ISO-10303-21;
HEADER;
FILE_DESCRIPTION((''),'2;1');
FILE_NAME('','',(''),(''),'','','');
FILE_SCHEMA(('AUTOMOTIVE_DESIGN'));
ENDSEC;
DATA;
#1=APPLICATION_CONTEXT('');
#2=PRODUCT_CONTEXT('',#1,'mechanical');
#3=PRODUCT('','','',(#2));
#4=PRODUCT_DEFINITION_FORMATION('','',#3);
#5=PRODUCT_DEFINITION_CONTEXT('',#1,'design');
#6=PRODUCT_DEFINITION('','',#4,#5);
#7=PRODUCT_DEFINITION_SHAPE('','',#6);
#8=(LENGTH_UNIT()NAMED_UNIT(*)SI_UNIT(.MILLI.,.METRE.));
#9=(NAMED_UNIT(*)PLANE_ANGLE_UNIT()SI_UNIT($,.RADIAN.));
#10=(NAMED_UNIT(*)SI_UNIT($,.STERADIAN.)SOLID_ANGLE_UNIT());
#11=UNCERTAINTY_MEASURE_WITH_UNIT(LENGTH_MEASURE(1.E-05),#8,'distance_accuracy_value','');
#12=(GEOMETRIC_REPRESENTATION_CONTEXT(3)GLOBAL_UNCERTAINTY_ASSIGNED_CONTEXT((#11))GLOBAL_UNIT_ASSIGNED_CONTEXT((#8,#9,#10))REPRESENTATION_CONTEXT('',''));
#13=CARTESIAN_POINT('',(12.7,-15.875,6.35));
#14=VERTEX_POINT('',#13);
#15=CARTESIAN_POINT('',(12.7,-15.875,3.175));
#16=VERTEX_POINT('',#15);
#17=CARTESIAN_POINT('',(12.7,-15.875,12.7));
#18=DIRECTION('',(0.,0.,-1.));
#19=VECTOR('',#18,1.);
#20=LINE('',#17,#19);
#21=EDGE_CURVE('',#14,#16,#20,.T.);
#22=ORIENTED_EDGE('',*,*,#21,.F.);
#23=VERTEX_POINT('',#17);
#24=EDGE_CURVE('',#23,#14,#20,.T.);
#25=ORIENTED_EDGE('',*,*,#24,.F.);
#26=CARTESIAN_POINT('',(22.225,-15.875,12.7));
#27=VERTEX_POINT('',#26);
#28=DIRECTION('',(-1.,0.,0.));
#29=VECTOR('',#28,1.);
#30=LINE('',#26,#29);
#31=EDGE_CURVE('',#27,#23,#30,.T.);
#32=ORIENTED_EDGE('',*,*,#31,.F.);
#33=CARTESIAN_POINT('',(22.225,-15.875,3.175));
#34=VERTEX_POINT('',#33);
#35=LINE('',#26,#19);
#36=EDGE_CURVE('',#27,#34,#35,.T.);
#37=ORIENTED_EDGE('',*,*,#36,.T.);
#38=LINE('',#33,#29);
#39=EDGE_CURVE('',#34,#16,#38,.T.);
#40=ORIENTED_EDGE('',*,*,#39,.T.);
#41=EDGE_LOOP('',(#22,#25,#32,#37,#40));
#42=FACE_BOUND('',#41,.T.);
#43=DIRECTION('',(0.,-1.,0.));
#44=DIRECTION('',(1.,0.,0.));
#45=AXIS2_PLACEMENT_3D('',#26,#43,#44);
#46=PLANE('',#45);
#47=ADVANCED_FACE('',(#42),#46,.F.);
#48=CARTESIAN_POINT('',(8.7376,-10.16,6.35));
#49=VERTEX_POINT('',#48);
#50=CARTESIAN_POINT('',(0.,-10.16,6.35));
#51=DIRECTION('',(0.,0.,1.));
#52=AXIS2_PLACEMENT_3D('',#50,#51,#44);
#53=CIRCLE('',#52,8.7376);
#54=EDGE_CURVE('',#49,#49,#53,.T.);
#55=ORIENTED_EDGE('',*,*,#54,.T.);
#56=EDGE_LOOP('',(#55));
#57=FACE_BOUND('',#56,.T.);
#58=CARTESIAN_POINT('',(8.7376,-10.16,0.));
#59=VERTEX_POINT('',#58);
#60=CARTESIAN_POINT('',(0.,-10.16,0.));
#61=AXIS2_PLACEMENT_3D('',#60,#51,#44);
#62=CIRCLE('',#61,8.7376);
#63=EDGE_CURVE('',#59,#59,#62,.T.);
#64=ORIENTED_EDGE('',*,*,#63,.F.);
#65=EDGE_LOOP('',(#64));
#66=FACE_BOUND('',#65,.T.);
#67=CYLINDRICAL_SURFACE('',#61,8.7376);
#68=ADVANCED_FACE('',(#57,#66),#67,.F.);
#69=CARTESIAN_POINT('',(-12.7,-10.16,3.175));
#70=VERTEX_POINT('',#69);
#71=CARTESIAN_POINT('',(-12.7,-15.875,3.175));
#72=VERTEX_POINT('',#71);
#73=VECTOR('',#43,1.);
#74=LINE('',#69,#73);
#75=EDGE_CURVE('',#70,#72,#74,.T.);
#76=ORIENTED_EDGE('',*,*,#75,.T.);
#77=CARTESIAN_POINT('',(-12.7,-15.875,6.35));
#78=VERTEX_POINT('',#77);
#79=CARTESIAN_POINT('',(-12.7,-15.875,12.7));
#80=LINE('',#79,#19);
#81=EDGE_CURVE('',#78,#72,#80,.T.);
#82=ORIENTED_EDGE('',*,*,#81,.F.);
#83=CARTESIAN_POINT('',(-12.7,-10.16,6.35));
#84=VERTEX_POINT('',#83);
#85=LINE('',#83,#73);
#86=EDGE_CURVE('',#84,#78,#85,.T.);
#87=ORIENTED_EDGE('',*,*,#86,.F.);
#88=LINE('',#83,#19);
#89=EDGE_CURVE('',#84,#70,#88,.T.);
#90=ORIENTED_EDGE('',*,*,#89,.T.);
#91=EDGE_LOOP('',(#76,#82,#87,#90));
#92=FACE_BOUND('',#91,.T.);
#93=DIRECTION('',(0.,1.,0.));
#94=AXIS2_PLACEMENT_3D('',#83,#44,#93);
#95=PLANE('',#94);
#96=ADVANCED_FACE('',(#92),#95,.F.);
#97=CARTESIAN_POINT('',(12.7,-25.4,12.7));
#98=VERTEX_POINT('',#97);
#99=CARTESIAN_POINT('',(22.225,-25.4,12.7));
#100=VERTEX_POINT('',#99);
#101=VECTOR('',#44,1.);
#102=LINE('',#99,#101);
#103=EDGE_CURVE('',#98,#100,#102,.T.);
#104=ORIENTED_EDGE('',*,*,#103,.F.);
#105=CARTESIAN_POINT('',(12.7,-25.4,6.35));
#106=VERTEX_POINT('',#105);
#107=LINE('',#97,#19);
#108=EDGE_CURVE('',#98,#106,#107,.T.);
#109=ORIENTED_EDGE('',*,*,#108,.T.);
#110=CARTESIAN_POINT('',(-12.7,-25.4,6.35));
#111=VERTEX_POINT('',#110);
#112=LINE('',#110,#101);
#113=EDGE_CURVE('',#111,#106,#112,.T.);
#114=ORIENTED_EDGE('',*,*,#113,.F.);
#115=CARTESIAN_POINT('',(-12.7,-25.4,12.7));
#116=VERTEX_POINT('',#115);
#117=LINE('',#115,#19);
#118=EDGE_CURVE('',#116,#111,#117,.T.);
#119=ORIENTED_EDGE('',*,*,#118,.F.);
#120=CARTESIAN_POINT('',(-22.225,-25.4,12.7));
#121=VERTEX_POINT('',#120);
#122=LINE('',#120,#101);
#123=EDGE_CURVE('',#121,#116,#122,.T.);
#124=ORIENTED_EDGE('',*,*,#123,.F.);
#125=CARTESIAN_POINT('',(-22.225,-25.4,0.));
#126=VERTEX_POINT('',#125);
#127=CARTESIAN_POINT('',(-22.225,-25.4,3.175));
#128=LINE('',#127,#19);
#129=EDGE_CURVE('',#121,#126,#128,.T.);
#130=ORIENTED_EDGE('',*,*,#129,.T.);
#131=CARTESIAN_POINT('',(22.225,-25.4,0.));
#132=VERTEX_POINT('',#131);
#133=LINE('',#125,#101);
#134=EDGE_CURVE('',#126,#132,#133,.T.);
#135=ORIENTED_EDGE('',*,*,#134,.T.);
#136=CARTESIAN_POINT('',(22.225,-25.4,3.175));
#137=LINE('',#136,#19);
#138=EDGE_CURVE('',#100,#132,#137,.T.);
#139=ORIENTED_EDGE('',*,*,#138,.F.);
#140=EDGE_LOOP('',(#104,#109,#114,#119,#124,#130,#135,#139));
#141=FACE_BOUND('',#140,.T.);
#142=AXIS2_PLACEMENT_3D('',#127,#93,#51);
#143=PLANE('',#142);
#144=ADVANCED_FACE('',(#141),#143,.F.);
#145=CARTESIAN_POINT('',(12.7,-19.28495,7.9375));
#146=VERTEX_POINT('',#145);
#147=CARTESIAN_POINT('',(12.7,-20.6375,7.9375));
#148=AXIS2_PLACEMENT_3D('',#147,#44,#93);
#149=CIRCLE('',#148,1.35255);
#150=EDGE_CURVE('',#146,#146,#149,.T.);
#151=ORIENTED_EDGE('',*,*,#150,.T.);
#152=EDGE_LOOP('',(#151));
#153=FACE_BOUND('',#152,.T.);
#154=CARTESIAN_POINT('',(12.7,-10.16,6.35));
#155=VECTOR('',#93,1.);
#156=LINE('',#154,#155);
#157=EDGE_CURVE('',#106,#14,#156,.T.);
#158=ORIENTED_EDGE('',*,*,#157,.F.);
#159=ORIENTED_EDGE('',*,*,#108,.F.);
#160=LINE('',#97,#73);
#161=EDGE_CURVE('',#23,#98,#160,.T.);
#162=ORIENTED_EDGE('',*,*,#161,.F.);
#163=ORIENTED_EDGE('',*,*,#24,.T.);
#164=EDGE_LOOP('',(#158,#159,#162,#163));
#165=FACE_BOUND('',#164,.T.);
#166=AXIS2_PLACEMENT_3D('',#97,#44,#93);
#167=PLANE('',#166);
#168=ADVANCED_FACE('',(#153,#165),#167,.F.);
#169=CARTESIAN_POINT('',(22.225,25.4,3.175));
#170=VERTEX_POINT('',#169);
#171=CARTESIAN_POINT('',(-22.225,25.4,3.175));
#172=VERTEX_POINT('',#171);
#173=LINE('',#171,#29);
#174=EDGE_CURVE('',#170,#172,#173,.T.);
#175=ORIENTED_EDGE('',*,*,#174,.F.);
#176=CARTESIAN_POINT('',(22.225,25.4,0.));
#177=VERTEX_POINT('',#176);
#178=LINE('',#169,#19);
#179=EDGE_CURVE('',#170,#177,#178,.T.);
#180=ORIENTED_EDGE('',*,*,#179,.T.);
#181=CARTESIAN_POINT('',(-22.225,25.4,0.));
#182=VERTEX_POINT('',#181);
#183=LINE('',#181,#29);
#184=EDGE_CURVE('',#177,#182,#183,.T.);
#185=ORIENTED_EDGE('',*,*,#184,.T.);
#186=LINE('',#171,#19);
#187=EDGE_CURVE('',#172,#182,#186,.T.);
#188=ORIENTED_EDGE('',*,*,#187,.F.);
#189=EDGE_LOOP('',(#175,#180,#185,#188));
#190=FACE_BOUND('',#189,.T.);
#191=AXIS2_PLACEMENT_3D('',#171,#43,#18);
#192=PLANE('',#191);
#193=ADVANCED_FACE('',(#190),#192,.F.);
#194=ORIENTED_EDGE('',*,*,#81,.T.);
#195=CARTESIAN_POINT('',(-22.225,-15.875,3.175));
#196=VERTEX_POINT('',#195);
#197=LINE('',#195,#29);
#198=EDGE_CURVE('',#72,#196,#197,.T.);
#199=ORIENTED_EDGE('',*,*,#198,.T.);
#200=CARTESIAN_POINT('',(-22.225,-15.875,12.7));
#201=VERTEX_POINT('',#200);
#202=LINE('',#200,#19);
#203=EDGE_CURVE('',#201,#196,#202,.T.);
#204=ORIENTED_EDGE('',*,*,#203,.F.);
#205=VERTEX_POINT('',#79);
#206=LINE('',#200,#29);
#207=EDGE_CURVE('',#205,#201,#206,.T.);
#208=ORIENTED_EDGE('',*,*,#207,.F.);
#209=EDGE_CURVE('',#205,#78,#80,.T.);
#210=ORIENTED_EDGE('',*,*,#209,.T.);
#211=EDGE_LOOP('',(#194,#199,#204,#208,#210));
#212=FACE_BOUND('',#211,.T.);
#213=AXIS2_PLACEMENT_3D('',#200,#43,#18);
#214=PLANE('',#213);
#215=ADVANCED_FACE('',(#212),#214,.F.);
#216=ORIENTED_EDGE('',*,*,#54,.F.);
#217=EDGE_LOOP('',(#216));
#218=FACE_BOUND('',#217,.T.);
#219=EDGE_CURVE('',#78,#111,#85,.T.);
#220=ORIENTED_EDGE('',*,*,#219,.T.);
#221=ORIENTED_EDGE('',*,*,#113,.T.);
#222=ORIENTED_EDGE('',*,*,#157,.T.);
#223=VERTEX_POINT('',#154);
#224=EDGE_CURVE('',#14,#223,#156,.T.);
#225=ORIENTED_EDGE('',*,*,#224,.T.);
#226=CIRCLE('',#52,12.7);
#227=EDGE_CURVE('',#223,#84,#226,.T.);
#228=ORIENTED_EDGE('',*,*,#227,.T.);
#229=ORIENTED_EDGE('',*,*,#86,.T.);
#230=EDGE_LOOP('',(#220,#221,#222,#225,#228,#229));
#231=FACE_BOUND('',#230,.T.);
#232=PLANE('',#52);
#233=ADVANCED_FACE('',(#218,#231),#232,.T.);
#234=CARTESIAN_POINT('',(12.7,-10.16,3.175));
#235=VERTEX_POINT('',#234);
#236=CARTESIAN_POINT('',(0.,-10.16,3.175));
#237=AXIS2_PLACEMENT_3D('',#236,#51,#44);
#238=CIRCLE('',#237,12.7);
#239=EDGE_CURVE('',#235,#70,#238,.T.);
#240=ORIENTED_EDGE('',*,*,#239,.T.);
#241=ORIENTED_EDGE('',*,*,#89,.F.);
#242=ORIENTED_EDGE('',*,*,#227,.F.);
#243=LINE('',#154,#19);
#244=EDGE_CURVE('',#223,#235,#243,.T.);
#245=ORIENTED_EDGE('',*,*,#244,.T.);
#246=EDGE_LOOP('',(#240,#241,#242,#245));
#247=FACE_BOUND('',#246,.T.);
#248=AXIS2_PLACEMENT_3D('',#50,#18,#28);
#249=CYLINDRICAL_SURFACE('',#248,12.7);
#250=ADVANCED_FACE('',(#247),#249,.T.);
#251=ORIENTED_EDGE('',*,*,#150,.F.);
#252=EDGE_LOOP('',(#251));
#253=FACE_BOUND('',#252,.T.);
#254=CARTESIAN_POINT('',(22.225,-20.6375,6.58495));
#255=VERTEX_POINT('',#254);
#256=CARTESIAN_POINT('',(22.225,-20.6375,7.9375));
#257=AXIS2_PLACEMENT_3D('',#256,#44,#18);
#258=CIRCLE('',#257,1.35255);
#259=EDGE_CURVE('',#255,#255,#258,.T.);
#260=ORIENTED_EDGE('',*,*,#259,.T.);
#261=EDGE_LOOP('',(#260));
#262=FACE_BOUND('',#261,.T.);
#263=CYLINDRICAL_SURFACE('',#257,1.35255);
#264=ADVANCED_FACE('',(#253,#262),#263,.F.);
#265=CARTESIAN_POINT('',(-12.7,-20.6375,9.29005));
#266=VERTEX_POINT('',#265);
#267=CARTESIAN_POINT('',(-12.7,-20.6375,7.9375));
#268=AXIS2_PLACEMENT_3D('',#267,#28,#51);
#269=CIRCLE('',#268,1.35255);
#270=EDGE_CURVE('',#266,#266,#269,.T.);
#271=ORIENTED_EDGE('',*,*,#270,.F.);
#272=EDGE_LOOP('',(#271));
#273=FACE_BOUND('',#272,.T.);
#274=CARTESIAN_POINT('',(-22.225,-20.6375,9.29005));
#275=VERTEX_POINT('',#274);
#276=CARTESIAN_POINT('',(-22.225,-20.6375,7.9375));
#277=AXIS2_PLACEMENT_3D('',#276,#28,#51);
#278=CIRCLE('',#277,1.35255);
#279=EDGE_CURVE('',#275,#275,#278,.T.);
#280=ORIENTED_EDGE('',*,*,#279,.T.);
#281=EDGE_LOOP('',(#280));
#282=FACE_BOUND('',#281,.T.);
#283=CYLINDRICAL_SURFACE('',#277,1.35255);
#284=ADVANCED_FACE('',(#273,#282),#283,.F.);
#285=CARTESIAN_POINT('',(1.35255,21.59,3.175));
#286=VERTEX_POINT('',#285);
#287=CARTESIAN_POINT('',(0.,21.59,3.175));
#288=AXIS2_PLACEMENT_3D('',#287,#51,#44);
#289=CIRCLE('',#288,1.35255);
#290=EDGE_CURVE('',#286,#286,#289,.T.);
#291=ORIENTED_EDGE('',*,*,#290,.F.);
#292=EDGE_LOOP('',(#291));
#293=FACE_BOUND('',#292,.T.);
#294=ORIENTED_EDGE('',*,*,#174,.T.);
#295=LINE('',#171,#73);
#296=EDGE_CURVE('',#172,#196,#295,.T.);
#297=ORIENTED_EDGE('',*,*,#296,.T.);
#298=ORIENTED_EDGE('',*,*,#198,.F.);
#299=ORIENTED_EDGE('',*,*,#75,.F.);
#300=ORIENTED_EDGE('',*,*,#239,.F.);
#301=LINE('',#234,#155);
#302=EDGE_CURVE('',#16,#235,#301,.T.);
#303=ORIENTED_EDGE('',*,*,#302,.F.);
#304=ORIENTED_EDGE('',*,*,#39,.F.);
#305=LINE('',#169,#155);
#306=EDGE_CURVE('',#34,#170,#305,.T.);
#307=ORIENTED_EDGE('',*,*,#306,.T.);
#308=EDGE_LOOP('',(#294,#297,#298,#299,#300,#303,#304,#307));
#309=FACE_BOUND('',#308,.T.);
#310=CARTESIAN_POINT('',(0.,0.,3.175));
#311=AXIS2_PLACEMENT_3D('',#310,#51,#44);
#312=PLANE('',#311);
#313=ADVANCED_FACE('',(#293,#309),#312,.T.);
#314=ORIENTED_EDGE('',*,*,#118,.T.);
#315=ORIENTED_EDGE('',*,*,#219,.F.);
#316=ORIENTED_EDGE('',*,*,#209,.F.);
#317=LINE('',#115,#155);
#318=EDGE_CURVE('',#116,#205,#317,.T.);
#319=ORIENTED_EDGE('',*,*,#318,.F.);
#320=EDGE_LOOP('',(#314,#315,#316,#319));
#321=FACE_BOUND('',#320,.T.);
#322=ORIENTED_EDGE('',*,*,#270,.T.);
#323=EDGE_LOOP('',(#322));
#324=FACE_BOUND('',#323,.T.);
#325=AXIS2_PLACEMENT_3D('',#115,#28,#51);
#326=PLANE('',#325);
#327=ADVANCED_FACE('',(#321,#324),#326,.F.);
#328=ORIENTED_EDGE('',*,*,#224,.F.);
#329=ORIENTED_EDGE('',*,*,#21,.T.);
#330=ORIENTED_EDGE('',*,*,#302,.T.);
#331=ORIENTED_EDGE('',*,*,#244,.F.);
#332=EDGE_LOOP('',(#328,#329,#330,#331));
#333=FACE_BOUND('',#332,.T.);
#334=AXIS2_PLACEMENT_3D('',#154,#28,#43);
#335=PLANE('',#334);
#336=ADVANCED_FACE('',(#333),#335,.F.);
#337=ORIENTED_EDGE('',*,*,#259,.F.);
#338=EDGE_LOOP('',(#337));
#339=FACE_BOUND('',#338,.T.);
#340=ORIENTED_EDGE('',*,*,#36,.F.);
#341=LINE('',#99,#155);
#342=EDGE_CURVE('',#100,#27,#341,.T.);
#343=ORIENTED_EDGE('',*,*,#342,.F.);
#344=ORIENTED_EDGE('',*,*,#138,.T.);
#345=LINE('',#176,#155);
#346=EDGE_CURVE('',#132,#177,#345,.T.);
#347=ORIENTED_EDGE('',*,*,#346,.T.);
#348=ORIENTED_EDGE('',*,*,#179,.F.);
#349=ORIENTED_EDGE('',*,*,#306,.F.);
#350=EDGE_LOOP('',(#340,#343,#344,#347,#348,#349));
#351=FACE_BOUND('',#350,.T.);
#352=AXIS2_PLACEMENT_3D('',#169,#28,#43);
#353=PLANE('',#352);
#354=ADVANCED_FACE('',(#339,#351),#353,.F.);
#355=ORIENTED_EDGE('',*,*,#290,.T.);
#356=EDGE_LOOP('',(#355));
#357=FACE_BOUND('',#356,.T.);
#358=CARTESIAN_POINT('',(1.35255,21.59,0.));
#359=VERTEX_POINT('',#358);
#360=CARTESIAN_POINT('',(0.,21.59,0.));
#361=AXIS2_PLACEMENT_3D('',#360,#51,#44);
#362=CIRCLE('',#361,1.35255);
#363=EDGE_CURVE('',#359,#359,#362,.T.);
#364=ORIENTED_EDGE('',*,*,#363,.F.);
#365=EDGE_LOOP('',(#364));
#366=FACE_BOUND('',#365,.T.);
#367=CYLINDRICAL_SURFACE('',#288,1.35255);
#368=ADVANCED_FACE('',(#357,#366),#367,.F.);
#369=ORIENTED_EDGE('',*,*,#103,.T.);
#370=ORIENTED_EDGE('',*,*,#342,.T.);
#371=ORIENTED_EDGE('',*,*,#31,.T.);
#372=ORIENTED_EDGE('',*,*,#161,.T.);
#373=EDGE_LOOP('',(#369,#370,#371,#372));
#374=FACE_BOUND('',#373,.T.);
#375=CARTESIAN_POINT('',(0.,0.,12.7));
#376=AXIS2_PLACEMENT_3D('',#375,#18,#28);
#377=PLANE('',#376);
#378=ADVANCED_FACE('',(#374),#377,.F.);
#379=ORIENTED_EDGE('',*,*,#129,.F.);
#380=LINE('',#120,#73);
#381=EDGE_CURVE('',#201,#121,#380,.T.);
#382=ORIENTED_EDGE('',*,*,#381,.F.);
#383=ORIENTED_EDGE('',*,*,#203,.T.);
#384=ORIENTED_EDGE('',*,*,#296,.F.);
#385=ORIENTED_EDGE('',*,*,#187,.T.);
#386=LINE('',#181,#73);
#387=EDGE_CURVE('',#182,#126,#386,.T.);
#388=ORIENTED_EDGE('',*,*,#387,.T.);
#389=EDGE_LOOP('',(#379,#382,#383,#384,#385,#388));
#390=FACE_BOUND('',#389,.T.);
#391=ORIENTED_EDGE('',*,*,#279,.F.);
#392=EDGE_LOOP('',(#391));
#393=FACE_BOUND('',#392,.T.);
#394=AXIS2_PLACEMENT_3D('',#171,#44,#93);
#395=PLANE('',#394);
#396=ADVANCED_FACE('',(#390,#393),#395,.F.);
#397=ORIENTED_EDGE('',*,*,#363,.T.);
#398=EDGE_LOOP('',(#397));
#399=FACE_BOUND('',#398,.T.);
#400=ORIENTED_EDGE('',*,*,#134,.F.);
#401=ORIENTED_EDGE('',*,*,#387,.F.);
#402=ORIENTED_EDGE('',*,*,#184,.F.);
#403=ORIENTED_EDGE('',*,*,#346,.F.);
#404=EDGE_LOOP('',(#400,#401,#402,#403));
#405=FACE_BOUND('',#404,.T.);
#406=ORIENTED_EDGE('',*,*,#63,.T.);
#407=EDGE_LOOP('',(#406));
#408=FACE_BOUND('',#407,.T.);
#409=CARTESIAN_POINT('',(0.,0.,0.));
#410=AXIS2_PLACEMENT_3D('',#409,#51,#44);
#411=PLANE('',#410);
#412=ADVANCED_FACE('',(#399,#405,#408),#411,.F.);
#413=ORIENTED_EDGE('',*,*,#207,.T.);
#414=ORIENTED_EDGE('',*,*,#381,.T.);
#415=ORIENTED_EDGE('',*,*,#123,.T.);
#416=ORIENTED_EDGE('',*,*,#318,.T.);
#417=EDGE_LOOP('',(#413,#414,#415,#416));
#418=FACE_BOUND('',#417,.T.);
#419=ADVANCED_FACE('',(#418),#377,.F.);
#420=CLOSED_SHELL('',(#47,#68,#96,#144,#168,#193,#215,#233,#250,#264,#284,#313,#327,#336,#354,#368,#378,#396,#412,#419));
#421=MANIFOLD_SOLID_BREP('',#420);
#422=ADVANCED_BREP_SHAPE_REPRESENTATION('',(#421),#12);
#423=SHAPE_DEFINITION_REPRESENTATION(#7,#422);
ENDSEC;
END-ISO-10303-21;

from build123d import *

# Parameters (mm, degrees)
SKETCH1_W                           = 44.45
SKETCH1_H                           = 50.8
BOSS_EXTRUDE1_DEPTH                 = 3.175
BOSS_EXTRUDE2_DEPTH                 = 3.175
SKETCH3_W                           = 9.525
SKETCH3_H                           = 9.525
BOSS_EXTRUDE3_DEPTH                 = 9.525
SKETCH4_R                           = 8.7376
CUT_EXTRUDE1_DEPTH                  = 7.35
F_6_32_TAPPED_HOLE1_D               = 2.7051
F_6_32_TAPPED_HOLE1_DEPTH           = 9.525
F_6_32_TAPPED_HOLE1_ON_FACE_2_D     = 2.7051
F_6_32_TAPPED_HOLE1_ON_FACE_2_DEPTH = 9.525
F_6_32_TAPPED_HOLE1_ON_FACE_3_D     = 2.7051
F_6_32_TAPPED_HOLE1_ON_FACE_3_DEPTH = 9.525


with BuildPart() as part:
    # Sketch1 → Boss-Extrude1 (new body)
    with BuildSketch(Plane.XY):
        Rectangle(SKETCH1_W, SKETCH1_H)
    extrude(amount=BOSS_EXTRUDE1_DEPTH)

    # Sketch2 → Boss-Extrude2 (add)
    with BuildSketch(Plane.XY.offset(3.175)):
        with BuildLine():
            Line((-12.7, -10.16), (-12.7, -25.4))
            Line((-12.7, -25.4), (12.7, -25.4))
            Line((12.7, -25.4), (12.7, -10.16))
            ThreePointArc((12.7, -10.16), (0, 2.54), (-12.7, -10.16))
        make_face()
    extrude(amount=BOSS_EXTRUDE2_DEPTH)

    # Sketch3 → Boss-Extrude3 (add)
    with BuildSketch(Plane.XY.offset(3.175)):
        with Locations((-17.4625, -20.6375)):
            Rectangle(SKETCH3_W, SKETCH3_H)
        with Locations((17.4625, -20.6375)):
            Rectangle(SKETCH3_W, SKETCH3_H)
    extrude(amount=BOSS_EXTRUDE3_DEPTH)

    # Sketch4 → Cut-Extrude1 (cut, through all)
    with BuildSketch(Plane.XY.offset(6.35)):
        with Locations((0, -10.16)):
            Circle(SKETCH4_R)
    extrude(amount=-CUT_EXTRUDE1_DEPTH, mode=Mode.SUBTRACT)

    # #6-32 Tapped Hole1
    with Locations(Plane(origin=(22.225, -20.6375, 7.9375), x_dir=(0, 1, 0), z_dir=(1, 0, 0))):
        with Locations((0, 0)):
            Hole(F_6_32_TAPPED_HOLE1_D / 2, depth=F_6_32_TAPPED_HOLE1_DEPTH)

    # #6-32 Tapped Hole1 on face 2
    with Locations(Plane(origin=(-22.225, -20.6375, 7.9375), x_dir=(0, 0, -1), z_dir=(-1, 0, 0))):
        with Locations((0, 0)):
            Hole(F_6_32_TAPPED_HOLE1_ON_FACE_2_D / 2, depth=F_6_32_TAPPED_HOLE1_ON_FACE_2_DEPTH)

    # #6-32 Tapped Hole1 on face 3
    with Locations(Plane(origin=(0, 21.59, 3.175), x_dir=(1, 0, 0), z_dir=(0, 0, 1))):
        with Locations((0, 0)):
            Hole(F_6_32_TAPPED_HOLE1_ON_FACE_3_D / 2, depth=F_6_32_TAPPED_HOLE1_ON_FACE_3_DEPTH)


solid = part.part
